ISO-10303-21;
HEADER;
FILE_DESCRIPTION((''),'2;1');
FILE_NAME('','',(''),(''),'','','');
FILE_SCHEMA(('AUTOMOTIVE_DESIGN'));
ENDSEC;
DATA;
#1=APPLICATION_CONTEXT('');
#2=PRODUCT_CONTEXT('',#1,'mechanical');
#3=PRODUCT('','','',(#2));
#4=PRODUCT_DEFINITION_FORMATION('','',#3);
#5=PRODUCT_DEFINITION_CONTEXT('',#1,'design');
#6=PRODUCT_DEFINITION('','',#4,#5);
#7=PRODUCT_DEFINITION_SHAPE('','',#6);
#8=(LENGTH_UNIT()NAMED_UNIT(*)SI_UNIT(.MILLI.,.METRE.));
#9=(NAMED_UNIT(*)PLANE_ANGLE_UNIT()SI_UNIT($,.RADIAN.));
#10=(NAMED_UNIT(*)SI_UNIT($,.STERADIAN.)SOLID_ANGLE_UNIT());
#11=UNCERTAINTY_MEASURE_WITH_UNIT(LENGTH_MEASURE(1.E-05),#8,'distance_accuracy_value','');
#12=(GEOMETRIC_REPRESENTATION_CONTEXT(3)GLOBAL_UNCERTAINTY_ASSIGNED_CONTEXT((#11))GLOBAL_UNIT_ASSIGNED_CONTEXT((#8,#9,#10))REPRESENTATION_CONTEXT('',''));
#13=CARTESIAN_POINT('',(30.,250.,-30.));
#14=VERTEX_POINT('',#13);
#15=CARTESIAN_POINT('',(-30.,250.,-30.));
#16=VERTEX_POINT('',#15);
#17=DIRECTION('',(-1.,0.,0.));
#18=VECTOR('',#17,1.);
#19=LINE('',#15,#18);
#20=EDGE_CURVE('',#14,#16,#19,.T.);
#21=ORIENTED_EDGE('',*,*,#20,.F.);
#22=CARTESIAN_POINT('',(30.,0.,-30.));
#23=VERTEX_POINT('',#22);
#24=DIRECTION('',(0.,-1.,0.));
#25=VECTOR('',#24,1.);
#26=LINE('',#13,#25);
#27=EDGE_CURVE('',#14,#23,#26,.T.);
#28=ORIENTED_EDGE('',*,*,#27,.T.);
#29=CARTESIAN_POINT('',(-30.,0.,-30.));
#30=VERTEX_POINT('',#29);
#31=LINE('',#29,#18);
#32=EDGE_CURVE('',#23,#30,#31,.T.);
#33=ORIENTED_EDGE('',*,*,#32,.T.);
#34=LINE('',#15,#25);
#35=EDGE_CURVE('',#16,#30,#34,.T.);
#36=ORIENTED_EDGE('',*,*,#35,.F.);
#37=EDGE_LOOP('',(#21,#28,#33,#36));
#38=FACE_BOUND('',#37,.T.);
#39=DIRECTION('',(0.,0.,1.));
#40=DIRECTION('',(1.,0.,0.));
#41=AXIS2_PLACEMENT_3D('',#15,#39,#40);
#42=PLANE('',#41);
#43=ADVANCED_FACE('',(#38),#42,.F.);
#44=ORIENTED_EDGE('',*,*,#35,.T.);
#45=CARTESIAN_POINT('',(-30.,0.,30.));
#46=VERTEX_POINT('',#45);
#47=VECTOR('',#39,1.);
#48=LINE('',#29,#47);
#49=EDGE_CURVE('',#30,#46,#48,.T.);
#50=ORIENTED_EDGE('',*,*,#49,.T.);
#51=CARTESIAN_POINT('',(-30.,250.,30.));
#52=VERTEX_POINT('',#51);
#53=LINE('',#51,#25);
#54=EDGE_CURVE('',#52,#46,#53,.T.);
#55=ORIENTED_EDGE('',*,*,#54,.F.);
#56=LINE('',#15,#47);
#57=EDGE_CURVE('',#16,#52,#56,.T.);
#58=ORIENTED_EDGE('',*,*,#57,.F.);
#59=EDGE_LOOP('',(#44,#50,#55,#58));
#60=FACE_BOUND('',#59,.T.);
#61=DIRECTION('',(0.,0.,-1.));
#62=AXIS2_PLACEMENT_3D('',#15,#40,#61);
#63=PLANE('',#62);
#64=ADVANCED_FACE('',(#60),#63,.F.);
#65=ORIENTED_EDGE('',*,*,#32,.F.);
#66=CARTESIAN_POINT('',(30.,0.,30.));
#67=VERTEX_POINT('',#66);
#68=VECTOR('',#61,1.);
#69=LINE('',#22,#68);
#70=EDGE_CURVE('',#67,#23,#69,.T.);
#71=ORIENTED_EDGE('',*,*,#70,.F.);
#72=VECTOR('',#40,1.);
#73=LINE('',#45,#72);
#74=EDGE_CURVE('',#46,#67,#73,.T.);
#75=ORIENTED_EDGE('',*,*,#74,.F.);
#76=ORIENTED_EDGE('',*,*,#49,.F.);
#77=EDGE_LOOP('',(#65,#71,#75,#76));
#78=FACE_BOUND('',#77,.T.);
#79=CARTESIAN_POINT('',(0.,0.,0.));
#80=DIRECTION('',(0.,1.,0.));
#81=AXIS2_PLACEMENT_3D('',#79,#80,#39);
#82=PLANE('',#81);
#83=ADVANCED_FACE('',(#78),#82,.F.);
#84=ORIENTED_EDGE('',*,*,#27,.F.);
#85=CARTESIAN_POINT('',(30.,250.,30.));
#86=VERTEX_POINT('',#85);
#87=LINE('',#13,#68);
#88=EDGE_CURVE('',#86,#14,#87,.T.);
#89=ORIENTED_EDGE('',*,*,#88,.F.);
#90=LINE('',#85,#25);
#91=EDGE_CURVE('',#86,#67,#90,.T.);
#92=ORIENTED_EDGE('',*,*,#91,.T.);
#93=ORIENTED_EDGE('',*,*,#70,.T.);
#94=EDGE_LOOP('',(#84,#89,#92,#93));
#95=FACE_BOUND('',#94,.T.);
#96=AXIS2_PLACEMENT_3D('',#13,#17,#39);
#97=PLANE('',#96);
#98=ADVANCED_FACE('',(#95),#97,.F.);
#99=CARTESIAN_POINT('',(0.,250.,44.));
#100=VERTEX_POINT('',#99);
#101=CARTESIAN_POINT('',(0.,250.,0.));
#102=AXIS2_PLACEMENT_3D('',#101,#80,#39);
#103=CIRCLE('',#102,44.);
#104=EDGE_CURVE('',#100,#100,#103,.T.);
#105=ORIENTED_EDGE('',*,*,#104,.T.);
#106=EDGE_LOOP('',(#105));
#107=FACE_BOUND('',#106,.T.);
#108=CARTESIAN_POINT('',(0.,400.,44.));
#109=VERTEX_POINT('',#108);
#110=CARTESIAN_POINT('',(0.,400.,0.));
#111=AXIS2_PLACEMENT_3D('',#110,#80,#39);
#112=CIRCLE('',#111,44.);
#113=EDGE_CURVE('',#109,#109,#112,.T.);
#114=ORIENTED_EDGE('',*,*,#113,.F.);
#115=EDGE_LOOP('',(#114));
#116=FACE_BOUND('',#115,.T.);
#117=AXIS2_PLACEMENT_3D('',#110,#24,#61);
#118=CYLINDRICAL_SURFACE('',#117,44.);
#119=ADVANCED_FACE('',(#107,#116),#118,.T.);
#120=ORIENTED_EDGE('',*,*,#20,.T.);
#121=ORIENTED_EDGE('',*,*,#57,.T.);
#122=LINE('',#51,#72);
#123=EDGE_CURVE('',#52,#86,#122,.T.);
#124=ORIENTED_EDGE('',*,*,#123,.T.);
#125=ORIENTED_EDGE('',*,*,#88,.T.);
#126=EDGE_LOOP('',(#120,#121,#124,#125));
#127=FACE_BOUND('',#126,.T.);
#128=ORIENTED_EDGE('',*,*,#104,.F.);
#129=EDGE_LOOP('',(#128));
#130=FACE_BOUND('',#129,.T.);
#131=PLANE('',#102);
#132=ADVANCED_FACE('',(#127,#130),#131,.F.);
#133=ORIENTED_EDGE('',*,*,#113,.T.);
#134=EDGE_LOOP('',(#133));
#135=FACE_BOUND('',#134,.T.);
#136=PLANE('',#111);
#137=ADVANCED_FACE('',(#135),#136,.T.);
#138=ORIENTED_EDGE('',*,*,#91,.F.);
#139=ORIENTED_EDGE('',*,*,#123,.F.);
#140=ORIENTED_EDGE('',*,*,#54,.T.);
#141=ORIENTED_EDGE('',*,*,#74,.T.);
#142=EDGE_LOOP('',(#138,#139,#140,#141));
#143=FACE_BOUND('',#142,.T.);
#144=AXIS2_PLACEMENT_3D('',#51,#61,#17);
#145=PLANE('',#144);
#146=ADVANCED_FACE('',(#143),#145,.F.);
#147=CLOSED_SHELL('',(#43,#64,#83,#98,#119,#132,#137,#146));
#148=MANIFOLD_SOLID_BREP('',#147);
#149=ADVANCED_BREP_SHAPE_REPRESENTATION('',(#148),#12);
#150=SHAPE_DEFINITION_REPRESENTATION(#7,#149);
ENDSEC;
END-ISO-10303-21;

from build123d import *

# Parameters (mm, degrees)
SKETCH_1_W      = 60
SKETCH_1_H      = 60
EXTRUDE_1_DEPTH = 250
SKETCH_2_R      = 44
EXTRUDE_2_DEPTH = 150


with BuildPart() as part:
    # 草图1 → 凸台-拉伸1 (new body)
    with BuildSketch(Plane(origin=(0, 0, 0), x_dir=(1, 0, 0), z_dir=(0, 1, 0))):
        Rectangle(SKETCH_1_W, SKETCH_1_H)
    extrude(amount=EXTRUDE_1_DEPTH)

    # 草图2 → 凸台-拉伸2 (add)
    with BuildSketch(Plane(origin=(0, 250, 0), x_dir=(1, 0, 0), z_dir=(0, 1, 0))):
        with Locations(Location((0, 0, 0), (0, 0, 270))):
            Circle(SKETCH_2_R)
    extrude(amount=EXTRUDE_2_DEPTH)


solid = part.part
